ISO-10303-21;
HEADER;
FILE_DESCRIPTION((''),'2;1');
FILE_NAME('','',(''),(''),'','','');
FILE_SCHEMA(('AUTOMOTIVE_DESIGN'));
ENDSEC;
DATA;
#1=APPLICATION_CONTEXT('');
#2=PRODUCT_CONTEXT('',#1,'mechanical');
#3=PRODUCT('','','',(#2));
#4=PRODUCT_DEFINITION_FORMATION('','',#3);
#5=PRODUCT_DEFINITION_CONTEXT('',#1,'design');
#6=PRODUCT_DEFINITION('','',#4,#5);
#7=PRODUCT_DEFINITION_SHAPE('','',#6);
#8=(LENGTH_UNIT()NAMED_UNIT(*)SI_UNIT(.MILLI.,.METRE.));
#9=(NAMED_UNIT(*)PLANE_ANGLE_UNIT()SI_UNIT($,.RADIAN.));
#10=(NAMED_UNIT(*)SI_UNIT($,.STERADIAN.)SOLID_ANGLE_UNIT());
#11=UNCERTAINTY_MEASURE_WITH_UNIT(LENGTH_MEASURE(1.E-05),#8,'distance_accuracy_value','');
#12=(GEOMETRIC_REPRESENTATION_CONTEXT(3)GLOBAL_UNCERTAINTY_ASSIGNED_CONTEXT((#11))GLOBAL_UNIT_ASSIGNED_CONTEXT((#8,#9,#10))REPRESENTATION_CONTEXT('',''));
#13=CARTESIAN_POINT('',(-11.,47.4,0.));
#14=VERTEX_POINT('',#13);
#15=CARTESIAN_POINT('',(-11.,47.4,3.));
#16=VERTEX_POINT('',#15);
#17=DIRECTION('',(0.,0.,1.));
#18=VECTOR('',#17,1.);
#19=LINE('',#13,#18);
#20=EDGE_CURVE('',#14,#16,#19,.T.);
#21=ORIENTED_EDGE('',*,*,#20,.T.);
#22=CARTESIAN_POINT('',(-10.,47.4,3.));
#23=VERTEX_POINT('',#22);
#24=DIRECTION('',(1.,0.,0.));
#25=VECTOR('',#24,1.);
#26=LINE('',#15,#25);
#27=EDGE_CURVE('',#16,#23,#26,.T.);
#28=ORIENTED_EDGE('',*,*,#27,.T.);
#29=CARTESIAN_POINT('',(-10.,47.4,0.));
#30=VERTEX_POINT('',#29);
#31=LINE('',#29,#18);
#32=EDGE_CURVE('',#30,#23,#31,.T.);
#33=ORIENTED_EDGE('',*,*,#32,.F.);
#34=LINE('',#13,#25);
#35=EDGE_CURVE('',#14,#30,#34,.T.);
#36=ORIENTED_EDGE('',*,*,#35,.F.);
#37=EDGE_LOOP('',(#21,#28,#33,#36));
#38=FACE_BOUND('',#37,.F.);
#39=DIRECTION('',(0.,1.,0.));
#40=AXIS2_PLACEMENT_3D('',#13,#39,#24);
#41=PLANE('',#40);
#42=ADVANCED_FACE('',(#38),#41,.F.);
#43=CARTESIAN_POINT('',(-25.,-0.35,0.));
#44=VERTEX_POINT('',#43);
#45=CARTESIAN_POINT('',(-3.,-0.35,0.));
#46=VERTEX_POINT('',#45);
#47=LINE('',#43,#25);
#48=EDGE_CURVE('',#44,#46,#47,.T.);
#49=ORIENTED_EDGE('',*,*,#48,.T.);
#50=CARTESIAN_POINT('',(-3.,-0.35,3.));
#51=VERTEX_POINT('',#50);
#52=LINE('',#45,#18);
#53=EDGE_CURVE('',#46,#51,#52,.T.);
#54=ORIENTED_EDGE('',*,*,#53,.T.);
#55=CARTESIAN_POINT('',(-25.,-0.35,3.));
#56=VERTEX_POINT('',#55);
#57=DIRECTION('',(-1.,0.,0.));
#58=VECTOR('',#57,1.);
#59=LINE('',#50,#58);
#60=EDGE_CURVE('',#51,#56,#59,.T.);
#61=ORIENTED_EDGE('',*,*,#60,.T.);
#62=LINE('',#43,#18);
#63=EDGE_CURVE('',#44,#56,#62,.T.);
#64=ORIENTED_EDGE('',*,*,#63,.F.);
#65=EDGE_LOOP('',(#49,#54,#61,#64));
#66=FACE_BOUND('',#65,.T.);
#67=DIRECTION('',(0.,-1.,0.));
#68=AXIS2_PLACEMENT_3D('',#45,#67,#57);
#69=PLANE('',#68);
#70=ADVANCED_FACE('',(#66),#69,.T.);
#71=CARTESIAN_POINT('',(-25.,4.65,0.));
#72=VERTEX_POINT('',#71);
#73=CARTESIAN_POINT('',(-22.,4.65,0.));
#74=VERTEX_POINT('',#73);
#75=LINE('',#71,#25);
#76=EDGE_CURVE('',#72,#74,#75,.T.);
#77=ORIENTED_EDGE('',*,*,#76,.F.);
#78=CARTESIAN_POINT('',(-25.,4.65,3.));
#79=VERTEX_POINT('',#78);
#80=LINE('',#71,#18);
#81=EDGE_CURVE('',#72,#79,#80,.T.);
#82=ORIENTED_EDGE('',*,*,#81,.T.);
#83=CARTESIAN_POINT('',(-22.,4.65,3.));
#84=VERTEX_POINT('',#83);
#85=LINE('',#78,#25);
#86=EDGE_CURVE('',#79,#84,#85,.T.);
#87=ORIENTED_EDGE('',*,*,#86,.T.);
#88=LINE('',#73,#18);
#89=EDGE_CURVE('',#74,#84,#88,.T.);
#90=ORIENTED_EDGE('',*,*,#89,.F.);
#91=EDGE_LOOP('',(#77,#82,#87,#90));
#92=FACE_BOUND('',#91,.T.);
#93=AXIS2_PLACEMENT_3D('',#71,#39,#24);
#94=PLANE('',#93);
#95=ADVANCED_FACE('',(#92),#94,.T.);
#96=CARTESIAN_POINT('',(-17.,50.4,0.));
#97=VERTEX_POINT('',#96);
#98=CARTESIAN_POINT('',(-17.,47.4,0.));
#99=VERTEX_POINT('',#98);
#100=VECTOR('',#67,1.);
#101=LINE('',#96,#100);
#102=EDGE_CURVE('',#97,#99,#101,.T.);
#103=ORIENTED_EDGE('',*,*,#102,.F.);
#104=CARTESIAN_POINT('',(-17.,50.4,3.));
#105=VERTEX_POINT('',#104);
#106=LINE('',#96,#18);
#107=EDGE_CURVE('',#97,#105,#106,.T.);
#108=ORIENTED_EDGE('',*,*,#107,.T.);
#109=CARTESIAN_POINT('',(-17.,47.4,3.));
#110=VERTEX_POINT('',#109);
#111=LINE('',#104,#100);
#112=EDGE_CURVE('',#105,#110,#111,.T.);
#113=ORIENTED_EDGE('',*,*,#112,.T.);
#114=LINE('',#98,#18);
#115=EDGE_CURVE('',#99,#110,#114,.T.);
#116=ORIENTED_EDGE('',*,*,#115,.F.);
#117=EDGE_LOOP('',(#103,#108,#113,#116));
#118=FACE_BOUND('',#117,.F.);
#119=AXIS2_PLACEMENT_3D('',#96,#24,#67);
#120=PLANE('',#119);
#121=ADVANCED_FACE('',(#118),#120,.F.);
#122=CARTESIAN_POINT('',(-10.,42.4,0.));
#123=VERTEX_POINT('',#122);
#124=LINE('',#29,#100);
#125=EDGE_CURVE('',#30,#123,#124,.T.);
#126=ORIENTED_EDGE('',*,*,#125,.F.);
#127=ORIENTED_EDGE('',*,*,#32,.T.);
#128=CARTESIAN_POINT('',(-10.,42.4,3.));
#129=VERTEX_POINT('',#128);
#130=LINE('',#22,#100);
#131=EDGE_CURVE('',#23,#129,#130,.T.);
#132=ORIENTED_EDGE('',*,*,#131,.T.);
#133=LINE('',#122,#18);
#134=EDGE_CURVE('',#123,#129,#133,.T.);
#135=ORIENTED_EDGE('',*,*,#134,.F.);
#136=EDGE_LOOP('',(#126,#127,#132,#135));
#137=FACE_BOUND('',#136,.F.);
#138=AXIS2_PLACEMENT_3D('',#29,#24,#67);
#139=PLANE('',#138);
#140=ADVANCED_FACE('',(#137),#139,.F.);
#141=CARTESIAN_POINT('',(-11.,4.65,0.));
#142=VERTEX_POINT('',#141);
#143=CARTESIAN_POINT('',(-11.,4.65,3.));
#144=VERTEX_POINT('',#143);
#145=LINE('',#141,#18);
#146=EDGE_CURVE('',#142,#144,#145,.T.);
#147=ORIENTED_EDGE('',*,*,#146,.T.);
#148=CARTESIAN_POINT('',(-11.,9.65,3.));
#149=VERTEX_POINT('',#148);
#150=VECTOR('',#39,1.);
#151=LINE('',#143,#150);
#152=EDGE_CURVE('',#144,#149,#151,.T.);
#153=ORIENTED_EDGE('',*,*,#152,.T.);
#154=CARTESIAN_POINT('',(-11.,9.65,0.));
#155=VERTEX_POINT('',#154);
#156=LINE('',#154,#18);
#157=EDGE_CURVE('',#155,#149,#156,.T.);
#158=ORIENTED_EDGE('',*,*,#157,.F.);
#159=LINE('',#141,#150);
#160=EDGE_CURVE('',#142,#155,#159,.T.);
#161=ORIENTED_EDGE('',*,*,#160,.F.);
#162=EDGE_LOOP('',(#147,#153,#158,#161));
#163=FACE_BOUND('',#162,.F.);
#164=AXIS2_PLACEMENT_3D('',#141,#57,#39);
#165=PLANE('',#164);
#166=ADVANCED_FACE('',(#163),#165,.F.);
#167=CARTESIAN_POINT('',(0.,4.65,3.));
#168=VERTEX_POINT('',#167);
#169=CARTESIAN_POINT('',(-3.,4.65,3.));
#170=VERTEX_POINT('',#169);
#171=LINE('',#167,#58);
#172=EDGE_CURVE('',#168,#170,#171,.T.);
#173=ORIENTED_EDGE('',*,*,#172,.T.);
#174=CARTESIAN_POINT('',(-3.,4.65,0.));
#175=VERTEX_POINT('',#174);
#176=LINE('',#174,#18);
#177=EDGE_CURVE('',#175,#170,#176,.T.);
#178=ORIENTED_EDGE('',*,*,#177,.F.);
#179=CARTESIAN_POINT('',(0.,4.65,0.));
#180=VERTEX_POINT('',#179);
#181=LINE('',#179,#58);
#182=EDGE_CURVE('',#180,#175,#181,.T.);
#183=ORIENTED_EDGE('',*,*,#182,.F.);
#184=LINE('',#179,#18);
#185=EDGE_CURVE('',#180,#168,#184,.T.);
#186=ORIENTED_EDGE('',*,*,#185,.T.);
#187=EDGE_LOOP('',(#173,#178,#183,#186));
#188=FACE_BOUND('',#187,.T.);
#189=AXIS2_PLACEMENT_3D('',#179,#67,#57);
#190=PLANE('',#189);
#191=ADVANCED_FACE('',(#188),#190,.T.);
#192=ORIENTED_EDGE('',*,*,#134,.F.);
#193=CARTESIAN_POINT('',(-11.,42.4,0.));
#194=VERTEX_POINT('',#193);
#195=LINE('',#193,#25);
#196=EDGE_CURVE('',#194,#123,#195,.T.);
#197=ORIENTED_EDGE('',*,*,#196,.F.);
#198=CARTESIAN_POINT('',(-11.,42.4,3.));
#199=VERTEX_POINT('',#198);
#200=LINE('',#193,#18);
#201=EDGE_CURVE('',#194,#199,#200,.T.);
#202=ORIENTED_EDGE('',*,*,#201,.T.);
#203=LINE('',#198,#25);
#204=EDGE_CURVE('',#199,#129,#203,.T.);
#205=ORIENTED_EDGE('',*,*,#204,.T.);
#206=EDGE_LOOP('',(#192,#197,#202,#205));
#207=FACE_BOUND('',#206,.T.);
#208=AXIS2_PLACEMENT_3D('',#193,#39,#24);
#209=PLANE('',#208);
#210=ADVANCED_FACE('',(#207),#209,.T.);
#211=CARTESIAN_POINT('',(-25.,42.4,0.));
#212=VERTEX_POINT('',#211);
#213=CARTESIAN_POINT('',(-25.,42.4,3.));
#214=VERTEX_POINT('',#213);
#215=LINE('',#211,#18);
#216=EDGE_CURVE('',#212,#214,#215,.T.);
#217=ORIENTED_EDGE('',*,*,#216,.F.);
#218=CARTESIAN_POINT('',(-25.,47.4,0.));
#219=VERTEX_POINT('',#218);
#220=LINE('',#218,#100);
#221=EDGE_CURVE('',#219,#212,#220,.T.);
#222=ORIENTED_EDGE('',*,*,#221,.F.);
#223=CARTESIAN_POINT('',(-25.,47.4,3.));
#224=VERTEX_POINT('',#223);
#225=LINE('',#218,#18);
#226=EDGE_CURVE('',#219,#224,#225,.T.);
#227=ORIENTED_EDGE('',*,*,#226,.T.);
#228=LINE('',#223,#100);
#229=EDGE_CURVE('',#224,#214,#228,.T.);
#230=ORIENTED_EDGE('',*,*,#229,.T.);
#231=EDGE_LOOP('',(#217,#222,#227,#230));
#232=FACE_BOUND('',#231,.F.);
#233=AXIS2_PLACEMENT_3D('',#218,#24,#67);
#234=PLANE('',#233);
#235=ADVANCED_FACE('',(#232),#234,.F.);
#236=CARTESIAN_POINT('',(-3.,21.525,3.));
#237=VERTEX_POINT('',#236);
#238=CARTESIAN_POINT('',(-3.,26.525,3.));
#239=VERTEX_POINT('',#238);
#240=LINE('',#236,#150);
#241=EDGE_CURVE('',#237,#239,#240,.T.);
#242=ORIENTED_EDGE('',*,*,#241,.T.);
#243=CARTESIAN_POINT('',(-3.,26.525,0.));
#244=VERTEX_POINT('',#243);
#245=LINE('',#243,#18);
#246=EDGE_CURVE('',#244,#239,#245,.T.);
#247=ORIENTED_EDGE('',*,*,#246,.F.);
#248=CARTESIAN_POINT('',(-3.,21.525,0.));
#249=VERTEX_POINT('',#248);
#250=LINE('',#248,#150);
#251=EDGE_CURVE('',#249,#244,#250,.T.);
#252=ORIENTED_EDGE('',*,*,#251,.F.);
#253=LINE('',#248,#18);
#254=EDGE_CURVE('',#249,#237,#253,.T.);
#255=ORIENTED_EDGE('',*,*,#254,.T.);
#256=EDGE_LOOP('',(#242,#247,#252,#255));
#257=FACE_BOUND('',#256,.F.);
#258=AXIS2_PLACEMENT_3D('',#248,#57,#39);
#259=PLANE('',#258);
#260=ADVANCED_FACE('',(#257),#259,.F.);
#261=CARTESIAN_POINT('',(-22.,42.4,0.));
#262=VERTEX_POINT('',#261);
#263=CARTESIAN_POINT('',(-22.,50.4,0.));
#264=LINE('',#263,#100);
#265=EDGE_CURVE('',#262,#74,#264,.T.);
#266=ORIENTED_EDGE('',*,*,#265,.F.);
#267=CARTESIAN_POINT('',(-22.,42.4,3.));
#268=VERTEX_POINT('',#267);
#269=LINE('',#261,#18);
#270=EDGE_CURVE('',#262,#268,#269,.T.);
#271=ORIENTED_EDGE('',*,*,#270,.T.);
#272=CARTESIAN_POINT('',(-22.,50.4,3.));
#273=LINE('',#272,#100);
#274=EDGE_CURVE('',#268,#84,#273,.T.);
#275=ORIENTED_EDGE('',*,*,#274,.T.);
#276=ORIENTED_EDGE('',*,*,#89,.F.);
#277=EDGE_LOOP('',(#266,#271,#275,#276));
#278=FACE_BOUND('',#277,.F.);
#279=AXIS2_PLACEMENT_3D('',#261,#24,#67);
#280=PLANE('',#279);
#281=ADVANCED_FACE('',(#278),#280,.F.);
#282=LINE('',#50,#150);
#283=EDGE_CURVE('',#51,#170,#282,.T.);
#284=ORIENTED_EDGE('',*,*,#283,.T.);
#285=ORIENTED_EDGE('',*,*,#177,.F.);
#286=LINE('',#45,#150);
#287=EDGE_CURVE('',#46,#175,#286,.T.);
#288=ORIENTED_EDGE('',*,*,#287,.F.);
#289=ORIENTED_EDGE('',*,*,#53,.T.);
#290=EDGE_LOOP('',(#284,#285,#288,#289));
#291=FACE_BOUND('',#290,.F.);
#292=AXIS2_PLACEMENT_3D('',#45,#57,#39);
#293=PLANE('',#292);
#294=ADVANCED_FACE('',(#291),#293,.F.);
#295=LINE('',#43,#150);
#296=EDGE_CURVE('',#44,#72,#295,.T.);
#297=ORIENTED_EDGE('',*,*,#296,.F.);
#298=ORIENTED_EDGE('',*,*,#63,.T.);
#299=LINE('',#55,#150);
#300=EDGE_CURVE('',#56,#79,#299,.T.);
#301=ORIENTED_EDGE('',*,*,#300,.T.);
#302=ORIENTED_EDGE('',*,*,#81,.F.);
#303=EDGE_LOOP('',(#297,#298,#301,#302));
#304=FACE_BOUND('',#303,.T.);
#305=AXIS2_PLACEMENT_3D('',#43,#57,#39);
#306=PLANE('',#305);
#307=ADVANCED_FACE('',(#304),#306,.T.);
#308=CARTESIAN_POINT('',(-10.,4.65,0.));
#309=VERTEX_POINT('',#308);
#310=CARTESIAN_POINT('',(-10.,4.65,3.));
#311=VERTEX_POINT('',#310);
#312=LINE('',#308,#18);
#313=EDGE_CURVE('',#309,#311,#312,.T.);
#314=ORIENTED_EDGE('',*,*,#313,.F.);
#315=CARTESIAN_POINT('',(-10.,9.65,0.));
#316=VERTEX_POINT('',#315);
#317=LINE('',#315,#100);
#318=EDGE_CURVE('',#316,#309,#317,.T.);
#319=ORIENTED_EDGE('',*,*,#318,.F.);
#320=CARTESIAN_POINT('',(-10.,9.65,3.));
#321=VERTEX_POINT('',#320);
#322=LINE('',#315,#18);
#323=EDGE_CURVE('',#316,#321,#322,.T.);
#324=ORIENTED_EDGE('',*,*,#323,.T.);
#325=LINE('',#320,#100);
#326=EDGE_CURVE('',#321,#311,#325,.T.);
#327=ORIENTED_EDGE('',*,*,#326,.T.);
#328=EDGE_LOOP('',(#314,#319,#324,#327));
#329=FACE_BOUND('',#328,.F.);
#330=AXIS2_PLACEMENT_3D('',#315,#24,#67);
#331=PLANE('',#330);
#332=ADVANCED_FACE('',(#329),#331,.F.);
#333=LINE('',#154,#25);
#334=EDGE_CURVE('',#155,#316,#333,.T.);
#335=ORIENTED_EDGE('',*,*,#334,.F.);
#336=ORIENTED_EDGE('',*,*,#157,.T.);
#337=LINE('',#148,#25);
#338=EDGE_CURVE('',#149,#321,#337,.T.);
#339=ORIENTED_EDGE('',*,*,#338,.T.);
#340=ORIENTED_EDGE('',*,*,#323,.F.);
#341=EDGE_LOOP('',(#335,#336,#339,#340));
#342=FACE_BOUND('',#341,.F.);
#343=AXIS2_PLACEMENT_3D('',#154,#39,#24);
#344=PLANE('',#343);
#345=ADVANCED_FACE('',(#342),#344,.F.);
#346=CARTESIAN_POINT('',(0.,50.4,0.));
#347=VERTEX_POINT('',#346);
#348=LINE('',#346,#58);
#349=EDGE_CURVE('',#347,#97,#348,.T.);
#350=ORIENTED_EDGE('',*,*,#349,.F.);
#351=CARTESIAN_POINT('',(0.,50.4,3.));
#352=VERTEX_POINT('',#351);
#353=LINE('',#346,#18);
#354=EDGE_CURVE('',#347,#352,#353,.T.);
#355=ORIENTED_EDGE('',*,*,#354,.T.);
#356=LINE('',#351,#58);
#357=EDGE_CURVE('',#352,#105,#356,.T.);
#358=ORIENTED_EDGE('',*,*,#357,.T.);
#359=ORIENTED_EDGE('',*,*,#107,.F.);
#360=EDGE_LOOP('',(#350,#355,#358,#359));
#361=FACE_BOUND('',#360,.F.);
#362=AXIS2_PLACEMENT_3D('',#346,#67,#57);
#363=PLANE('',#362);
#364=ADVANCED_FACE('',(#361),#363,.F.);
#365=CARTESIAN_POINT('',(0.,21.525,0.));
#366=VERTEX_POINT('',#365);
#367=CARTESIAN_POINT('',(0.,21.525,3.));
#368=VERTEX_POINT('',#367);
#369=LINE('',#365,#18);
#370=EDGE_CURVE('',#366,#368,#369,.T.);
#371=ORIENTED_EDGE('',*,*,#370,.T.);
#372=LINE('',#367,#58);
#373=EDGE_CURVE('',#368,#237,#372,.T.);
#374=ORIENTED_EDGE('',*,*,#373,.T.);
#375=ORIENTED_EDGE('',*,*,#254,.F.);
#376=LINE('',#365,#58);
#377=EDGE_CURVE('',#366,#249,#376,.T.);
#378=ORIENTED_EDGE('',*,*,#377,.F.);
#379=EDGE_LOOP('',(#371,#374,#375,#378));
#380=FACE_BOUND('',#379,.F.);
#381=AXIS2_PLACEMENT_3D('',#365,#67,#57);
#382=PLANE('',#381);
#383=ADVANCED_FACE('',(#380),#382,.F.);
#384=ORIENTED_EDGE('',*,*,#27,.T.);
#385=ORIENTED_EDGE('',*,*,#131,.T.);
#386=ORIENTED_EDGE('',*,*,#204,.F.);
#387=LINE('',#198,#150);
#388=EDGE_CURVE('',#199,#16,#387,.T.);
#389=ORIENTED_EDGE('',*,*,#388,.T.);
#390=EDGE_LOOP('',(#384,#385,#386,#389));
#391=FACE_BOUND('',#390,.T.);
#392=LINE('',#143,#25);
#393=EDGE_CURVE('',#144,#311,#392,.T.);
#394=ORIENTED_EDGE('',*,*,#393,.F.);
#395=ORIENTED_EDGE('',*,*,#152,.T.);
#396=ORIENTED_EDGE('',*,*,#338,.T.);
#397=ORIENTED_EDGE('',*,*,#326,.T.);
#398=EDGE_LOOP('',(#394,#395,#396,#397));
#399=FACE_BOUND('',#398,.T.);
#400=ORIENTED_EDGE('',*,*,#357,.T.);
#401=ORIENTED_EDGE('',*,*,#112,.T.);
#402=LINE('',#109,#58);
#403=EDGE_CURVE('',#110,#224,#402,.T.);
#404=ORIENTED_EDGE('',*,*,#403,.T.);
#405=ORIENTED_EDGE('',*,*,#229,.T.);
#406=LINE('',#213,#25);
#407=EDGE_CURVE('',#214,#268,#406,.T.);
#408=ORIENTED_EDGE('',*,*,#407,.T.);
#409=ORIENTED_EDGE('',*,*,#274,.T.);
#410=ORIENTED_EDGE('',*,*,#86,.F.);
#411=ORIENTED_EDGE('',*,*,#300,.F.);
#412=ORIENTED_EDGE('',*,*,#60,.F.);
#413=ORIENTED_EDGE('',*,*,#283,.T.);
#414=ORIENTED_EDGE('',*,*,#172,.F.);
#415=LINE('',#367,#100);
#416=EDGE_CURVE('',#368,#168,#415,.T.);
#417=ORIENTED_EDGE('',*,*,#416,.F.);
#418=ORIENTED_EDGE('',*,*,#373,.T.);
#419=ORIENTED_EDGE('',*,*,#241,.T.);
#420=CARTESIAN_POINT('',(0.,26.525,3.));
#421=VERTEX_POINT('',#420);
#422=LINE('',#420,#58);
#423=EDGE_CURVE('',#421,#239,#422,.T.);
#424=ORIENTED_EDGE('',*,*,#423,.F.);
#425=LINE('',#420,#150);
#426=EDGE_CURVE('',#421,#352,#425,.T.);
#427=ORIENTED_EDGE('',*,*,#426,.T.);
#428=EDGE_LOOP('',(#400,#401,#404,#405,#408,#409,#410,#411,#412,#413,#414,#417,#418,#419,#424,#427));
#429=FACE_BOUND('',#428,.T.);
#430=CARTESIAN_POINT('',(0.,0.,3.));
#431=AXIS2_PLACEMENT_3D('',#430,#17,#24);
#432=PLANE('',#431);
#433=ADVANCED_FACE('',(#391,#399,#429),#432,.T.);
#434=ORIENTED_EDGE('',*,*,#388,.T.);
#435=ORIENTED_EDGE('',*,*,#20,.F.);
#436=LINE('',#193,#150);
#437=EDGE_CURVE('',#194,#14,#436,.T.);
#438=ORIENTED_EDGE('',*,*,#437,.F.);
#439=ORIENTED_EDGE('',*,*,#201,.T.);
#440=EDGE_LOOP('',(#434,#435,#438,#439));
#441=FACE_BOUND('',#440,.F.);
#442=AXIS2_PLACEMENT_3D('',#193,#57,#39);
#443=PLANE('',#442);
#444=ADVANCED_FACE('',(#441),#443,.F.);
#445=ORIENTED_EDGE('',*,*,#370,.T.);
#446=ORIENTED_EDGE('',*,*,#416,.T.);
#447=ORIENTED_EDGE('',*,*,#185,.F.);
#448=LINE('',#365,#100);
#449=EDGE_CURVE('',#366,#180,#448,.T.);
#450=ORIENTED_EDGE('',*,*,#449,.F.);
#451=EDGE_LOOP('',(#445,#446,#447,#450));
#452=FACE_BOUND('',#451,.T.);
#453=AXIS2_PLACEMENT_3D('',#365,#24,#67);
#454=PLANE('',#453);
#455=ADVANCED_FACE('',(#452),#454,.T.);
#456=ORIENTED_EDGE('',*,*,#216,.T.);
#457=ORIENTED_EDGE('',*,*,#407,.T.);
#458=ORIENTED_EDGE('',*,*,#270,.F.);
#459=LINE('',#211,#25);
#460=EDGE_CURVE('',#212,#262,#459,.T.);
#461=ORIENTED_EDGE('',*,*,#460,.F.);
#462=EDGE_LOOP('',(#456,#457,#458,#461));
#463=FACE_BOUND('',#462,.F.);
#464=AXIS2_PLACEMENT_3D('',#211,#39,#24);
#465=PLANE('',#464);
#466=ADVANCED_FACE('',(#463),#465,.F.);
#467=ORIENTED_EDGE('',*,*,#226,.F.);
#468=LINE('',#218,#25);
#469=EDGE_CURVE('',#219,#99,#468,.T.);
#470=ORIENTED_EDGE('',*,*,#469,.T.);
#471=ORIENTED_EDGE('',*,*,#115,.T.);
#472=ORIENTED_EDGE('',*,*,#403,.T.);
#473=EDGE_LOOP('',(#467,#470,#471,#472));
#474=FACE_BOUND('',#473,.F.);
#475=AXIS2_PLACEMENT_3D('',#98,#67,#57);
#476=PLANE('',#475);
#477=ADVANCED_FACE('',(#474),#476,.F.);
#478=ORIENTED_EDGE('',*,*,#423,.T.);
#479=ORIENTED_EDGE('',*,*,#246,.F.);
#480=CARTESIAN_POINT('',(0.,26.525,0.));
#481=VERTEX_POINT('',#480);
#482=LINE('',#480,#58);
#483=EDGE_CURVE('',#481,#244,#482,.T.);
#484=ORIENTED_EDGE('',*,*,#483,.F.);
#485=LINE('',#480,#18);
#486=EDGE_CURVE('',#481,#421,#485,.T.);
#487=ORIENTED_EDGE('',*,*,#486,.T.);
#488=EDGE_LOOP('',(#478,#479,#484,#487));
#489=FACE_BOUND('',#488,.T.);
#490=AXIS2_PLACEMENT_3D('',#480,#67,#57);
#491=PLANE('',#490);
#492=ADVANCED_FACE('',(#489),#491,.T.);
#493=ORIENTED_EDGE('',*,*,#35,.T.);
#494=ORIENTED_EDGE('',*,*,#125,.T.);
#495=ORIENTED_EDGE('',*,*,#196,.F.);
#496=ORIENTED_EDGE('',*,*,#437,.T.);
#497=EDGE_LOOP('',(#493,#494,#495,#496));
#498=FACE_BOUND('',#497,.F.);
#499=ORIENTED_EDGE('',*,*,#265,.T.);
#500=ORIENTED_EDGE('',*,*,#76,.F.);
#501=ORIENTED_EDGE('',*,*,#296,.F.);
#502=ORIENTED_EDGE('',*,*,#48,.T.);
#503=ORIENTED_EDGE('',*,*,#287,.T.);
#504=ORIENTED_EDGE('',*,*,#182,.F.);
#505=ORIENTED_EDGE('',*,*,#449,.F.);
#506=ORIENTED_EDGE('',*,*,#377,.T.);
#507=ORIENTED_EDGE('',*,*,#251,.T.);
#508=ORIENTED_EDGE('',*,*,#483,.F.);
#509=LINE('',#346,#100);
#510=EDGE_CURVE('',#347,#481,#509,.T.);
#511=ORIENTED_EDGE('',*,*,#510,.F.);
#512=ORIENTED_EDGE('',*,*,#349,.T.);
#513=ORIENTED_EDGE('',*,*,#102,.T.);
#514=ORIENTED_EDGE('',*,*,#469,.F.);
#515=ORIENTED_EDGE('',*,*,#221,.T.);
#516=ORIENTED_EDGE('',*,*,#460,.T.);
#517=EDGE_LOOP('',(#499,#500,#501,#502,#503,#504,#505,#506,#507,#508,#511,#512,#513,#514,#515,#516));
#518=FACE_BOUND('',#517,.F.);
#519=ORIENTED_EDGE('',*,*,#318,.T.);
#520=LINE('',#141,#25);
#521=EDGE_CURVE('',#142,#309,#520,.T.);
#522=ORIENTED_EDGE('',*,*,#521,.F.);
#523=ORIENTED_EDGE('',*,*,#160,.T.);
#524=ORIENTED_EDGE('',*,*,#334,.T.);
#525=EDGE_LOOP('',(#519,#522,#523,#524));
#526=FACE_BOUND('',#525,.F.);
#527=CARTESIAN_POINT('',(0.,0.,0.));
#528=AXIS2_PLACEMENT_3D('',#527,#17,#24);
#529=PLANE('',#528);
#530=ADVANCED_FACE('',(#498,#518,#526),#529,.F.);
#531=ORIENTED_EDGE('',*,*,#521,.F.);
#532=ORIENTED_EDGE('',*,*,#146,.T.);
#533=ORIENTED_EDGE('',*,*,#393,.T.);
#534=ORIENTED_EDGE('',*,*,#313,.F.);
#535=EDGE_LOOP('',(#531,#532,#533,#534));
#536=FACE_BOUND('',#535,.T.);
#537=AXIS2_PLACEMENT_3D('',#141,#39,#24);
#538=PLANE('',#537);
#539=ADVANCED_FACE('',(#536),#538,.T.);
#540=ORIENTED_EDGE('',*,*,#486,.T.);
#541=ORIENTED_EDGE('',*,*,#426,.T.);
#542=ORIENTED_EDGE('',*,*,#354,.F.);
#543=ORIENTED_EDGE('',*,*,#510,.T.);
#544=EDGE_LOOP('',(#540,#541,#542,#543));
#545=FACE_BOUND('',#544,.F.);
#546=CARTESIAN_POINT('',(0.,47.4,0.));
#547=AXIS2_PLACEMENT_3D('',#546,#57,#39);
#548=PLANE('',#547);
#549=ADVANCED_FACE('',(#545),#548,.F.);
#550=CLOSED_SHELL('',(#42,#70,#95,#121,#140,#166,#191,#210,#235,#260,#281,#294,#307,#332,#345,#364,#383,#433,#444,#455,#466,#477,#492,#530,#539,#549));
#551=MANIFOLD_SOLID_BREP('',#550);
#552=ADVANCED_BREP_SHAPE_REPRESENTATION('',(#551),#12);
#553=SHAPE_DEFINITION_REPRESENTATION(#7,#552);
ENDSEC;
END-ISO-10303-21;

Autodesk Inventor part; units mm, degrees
ref_plane "YZ Plane" through (0, 0, 0) normal (1, 0, 0) x (0, 1, 0)
ref_plane "XZ Plane" through (0, 0, 0) normal (0, 1, 0) x (-1, 0, 0)
ref_plane "XY Plane" through (0, 0, 0) normal (0, 0, 1) x (1, 0, 0)
sketch "Sketch1" plane through (0, 0, 0) normal (0, 0, 1) x (1, 0, 0)
  line L0 (-3, 4.65) -> (-3, 21.525)
  line L1 (0, 4.65) -> (-3, 4.65)
  line L2 (0, 21.525) -> (0, 4.65)
  line L3 (0, 21.525) -> (-3, 21.525)
  line L4 (-3, -0.35) -> (-3, 4.65)
  line L5 (-3, -0.35) -> (-22, -0.35)
  line L6 (-3, 21.525) -> (-3, 26.525)
  line L7 (-3, 26.525) -> (-3, 47.4)
  line L8 (0, 26.525) -> (-3, 26.525)
  line L9 (0, 47.4) -> (0, 26.525)
  line L10 (0, 47.4) -> (-3, 47.4)
  line L11 (-10, 47.4) -> (-10, 42.4)
  line L12 (-11, 47.4) -> (-10, 47.4)
  line L13 (-11, 42.4) -> (-11, 47.4)
  line L14 (-11, 42.4) -> (-10, 42.4)
  line L15 (-10, 9.65) -> (-10, 4.65)
  line L16 (-11, 9.65) -> (-10, 9.65)
  line L17 (-11, 4.65) -> (-11, 9.65)
  line L18 (-11, 4.65) -> (-10, 4.65)
  line L19 (0, 47.4) -> (0, 50.4)
  line L20 (0, 50.4) -> (-22, 50.4)
  line L21 (-22, 50.4) -> (-22, -0.35)
  line L22 (-22, -0.35) -> (-25, -0.35)
  line L23 (-25, -0.35) -> (-25, 4.65)
  line L24 (-25, 4.65) -> (-22, 4.65)
  line L25 (-22, 4.65) -> (-22, -0.35)
  line L26 (-22, 47.4) -> (-25, 47.4)
  line L27 (-25, 47.4) -> (-25, 42.4)
  line L28 (-25, 42.4) -> (-22, 42.4)
  line L29 (-22, 42.4) -> (-22, 47.4)
  line L30 (-22, 50.4) -> (-17, 50.4)
  line L31 (-17, 50.4) -> (-17, 47.4)
  line L32 (-17, 47.4) -> (-22, 47.4)
  line L33 (-22, 47.4) -> (-22, 50.4)
  line L34 (-25, -0.35) -> (-25, -5.35)
  point P0 (0, 0)
extrude "Extrusion1" add sketch "Sketch1" along normal blind 3 contours L4 L5 L21 L32 L31 L20 L19 L10 L7 L6 L0 | L0 L3 L2 L1 | L7 L10 L9 L8 | L22 L23 L24 L21 | L28 L27 L26 L21
properties part number "SideLeftLower" material "Acrylic, Clear"
